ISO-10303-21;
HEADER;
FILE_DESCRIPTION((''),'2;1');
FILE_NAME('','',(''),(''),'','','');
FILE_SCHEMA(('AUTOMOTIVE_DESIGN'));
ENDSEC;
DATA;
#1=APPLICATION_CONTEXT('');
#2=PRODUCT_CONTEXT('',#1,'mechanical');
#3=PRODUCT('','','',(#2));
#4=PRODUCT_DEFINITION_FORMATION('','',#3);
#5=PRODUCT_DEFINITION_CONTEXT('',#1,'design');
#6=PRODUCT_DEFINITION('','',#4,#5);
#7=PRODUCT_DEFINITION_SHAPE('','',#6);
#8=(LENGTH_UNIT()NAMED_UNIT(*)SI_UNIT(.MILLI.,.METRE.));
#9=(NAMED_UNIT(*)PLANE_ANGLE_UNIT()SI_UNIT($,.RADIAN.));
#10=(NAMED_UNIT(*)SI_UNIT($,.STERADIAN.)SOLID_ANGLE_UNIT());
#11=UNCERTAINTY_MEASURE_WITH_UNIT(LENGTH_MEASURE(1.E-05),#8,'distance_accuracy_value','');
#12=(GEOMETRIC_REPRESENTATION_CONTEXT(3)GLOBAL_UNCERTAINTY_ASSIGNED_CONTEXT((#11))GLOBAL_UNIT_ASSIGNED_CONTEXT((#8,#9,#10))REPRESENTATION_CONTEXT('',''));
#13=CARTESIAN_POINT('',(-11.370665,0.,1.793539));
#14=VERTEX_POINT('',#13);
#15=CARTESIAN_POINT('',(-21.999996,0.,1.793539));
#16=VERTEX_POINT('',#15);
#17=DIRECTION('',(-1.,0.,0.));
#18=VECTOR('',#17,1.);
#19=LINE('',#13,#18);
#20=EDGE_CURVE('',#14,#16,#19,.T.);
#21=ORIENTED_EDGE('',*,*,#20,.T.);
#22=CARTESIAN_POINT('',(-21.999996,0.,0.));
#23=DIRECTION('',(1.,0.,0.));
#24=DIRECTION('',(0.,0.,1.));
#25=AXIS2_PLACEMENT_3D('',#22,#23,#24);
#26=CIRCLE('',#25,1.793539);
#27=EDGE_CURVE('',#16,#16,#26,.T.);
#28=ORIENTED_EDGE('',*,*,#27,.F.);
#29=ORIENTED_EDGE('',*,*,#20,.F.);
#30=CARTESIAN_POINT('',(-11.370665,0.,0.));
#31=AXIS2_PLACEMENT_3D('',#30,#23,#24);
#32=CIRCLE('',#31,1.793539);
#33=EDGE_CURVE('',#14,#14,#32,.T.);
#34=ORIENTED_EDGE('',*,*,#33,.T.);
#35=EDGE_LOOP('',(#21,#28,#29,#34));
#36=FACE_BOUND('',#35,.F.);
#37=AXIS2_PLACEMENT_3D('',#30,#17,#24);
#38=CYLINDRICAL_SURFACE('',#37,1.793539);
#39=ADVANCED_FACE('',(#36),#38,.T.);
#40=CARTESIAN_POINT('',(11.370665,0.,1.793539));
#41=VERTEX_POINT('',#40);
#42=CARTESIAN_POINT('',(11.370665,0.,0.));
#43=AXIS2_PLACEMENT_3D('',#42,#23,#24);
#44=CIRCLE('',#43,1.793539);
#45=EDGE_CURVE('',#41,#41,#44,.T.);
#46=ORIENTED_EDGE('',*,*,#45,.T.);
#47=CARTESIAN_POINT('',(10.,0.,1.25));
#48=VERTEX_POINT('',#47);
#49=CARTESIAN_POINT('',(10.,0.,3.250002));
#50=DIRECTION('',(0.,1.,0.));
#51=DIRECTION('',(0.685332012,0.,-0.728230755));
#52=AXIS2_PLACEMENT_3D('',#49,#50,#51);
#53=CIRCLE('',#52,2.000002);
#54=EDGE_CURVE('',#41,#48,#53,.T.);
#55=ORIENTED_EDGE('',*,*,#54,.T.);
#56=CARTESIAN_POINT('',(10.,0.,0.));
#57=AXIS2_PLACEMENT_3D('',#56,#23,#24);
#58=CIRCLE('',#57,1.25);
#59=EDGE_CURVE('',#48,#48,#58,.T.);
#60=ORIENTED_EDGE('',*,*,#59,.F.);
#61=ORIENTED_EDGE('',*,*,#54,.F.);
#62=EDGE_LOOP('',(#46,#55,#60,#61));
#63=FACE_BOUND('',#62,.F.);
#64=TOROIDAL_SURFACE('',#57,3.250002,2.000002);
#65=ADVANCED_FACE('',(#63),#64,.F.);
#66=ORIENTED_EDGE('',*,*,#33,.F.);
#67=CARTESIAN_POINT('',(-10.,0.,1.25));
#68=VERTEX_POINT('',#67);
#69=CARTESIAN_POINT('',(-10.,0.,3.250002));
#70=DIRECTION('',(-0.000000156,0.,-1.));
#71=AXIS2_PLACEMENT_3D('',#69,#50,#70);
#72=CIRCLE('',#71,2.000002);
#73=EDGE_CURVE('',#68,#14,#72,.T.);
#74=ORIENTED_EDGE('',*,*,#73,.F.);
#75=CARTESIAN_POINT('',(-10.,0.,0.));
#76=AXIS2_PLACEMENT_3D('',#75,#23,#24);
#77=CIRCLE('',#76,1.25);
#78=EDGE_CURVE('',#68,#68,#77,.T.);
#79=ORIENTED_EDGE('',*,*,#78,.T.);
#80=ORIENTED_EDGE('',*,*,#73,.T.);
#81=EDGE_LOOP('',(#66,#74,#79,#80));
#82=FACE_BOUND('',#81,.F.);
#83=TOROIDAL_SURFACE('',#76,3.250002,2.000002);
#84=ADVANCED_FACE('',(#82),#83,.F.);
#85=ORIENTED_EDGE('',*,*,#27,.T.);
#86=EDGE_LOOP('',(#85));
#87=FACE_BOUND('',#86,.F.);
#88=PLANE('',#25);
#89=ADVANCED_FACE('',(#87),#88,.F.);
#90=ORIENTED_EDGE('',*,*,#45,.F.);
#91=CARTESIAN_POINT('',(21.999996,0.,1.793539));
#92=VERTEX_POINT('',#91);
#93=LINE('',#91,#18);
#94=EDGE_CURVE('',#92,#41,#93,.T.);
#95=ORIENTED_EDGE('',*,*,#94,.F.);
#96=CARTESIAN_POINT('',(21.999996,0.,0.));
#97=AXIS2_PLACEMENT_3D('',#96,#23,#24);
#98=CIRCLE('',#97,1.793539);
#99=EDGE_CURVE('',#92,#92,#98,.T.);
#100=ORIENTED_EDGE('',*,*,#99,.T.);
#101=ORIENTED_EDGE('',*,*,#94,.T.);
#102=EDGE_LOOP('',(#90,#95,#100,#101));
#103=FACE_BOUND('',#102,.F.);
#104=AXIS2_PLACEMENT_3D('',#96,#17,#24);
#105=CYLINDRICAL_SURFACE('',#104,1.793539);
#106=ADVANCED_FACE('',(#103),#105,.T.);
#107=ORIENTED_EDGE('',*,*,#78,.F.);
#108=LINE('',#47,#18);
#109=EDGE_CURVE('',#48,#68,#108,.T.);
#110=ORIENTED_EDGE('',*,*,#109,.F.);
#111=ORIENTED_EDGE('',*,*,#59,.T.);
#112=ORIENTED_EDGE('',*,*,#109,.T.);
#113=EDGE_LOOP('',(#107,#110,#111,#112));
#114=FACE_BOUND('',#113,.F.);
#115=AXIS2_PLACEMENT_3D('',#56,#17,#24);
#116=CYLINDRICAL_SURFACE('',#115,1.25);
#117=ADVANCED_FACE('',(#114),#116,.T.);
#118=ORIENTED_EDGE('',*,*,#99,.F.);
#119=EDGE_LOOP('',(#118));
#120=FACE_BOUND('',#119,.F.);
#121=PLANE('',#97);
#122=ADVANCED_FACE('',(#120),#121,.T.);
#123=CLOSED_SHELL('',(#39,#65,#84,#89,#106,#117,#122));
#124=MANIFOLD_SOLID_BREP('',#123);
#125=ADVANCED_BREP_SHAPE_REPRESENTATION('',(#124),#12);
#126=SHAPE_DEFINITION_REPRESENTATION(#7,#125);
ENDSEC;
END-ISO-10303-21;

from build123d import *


with BuildPart() as f1:
    # F0 (on Front) → F1 (revolve)
    with BuildSketch(Plane.XZ):
        with BuildLine():
            Line((10, 1.25), (0, 1.25))
            Line((0, 1.25), (-10, 1.25))
            ThreePointArc((-10, 1.25), (-10.737251, 1.390844), (-11.370665, 1.793539))
            Line((-11.370665, 1.793539), (-21.999996, 1.793539))
            Line((-21.999996, 1.793539), (-21.999996, 0))
            Line((-21.999996, 0), (0, 0))
            Line((0, 0), (21.999996, 0))
            Line((21.999996, 0), (21.999996, 1.793539))
            Line((21.999996, 1.793539), (11.370665, 1.793539))
            ThreePointArc((11.370665, 1.793539), (10.737251, 1.390844), (10, 1.25))
        make_face()
    revolve(axis=Axis((-10.999998, 0, 0), (1, 0, 0)))


solid = f1.part
